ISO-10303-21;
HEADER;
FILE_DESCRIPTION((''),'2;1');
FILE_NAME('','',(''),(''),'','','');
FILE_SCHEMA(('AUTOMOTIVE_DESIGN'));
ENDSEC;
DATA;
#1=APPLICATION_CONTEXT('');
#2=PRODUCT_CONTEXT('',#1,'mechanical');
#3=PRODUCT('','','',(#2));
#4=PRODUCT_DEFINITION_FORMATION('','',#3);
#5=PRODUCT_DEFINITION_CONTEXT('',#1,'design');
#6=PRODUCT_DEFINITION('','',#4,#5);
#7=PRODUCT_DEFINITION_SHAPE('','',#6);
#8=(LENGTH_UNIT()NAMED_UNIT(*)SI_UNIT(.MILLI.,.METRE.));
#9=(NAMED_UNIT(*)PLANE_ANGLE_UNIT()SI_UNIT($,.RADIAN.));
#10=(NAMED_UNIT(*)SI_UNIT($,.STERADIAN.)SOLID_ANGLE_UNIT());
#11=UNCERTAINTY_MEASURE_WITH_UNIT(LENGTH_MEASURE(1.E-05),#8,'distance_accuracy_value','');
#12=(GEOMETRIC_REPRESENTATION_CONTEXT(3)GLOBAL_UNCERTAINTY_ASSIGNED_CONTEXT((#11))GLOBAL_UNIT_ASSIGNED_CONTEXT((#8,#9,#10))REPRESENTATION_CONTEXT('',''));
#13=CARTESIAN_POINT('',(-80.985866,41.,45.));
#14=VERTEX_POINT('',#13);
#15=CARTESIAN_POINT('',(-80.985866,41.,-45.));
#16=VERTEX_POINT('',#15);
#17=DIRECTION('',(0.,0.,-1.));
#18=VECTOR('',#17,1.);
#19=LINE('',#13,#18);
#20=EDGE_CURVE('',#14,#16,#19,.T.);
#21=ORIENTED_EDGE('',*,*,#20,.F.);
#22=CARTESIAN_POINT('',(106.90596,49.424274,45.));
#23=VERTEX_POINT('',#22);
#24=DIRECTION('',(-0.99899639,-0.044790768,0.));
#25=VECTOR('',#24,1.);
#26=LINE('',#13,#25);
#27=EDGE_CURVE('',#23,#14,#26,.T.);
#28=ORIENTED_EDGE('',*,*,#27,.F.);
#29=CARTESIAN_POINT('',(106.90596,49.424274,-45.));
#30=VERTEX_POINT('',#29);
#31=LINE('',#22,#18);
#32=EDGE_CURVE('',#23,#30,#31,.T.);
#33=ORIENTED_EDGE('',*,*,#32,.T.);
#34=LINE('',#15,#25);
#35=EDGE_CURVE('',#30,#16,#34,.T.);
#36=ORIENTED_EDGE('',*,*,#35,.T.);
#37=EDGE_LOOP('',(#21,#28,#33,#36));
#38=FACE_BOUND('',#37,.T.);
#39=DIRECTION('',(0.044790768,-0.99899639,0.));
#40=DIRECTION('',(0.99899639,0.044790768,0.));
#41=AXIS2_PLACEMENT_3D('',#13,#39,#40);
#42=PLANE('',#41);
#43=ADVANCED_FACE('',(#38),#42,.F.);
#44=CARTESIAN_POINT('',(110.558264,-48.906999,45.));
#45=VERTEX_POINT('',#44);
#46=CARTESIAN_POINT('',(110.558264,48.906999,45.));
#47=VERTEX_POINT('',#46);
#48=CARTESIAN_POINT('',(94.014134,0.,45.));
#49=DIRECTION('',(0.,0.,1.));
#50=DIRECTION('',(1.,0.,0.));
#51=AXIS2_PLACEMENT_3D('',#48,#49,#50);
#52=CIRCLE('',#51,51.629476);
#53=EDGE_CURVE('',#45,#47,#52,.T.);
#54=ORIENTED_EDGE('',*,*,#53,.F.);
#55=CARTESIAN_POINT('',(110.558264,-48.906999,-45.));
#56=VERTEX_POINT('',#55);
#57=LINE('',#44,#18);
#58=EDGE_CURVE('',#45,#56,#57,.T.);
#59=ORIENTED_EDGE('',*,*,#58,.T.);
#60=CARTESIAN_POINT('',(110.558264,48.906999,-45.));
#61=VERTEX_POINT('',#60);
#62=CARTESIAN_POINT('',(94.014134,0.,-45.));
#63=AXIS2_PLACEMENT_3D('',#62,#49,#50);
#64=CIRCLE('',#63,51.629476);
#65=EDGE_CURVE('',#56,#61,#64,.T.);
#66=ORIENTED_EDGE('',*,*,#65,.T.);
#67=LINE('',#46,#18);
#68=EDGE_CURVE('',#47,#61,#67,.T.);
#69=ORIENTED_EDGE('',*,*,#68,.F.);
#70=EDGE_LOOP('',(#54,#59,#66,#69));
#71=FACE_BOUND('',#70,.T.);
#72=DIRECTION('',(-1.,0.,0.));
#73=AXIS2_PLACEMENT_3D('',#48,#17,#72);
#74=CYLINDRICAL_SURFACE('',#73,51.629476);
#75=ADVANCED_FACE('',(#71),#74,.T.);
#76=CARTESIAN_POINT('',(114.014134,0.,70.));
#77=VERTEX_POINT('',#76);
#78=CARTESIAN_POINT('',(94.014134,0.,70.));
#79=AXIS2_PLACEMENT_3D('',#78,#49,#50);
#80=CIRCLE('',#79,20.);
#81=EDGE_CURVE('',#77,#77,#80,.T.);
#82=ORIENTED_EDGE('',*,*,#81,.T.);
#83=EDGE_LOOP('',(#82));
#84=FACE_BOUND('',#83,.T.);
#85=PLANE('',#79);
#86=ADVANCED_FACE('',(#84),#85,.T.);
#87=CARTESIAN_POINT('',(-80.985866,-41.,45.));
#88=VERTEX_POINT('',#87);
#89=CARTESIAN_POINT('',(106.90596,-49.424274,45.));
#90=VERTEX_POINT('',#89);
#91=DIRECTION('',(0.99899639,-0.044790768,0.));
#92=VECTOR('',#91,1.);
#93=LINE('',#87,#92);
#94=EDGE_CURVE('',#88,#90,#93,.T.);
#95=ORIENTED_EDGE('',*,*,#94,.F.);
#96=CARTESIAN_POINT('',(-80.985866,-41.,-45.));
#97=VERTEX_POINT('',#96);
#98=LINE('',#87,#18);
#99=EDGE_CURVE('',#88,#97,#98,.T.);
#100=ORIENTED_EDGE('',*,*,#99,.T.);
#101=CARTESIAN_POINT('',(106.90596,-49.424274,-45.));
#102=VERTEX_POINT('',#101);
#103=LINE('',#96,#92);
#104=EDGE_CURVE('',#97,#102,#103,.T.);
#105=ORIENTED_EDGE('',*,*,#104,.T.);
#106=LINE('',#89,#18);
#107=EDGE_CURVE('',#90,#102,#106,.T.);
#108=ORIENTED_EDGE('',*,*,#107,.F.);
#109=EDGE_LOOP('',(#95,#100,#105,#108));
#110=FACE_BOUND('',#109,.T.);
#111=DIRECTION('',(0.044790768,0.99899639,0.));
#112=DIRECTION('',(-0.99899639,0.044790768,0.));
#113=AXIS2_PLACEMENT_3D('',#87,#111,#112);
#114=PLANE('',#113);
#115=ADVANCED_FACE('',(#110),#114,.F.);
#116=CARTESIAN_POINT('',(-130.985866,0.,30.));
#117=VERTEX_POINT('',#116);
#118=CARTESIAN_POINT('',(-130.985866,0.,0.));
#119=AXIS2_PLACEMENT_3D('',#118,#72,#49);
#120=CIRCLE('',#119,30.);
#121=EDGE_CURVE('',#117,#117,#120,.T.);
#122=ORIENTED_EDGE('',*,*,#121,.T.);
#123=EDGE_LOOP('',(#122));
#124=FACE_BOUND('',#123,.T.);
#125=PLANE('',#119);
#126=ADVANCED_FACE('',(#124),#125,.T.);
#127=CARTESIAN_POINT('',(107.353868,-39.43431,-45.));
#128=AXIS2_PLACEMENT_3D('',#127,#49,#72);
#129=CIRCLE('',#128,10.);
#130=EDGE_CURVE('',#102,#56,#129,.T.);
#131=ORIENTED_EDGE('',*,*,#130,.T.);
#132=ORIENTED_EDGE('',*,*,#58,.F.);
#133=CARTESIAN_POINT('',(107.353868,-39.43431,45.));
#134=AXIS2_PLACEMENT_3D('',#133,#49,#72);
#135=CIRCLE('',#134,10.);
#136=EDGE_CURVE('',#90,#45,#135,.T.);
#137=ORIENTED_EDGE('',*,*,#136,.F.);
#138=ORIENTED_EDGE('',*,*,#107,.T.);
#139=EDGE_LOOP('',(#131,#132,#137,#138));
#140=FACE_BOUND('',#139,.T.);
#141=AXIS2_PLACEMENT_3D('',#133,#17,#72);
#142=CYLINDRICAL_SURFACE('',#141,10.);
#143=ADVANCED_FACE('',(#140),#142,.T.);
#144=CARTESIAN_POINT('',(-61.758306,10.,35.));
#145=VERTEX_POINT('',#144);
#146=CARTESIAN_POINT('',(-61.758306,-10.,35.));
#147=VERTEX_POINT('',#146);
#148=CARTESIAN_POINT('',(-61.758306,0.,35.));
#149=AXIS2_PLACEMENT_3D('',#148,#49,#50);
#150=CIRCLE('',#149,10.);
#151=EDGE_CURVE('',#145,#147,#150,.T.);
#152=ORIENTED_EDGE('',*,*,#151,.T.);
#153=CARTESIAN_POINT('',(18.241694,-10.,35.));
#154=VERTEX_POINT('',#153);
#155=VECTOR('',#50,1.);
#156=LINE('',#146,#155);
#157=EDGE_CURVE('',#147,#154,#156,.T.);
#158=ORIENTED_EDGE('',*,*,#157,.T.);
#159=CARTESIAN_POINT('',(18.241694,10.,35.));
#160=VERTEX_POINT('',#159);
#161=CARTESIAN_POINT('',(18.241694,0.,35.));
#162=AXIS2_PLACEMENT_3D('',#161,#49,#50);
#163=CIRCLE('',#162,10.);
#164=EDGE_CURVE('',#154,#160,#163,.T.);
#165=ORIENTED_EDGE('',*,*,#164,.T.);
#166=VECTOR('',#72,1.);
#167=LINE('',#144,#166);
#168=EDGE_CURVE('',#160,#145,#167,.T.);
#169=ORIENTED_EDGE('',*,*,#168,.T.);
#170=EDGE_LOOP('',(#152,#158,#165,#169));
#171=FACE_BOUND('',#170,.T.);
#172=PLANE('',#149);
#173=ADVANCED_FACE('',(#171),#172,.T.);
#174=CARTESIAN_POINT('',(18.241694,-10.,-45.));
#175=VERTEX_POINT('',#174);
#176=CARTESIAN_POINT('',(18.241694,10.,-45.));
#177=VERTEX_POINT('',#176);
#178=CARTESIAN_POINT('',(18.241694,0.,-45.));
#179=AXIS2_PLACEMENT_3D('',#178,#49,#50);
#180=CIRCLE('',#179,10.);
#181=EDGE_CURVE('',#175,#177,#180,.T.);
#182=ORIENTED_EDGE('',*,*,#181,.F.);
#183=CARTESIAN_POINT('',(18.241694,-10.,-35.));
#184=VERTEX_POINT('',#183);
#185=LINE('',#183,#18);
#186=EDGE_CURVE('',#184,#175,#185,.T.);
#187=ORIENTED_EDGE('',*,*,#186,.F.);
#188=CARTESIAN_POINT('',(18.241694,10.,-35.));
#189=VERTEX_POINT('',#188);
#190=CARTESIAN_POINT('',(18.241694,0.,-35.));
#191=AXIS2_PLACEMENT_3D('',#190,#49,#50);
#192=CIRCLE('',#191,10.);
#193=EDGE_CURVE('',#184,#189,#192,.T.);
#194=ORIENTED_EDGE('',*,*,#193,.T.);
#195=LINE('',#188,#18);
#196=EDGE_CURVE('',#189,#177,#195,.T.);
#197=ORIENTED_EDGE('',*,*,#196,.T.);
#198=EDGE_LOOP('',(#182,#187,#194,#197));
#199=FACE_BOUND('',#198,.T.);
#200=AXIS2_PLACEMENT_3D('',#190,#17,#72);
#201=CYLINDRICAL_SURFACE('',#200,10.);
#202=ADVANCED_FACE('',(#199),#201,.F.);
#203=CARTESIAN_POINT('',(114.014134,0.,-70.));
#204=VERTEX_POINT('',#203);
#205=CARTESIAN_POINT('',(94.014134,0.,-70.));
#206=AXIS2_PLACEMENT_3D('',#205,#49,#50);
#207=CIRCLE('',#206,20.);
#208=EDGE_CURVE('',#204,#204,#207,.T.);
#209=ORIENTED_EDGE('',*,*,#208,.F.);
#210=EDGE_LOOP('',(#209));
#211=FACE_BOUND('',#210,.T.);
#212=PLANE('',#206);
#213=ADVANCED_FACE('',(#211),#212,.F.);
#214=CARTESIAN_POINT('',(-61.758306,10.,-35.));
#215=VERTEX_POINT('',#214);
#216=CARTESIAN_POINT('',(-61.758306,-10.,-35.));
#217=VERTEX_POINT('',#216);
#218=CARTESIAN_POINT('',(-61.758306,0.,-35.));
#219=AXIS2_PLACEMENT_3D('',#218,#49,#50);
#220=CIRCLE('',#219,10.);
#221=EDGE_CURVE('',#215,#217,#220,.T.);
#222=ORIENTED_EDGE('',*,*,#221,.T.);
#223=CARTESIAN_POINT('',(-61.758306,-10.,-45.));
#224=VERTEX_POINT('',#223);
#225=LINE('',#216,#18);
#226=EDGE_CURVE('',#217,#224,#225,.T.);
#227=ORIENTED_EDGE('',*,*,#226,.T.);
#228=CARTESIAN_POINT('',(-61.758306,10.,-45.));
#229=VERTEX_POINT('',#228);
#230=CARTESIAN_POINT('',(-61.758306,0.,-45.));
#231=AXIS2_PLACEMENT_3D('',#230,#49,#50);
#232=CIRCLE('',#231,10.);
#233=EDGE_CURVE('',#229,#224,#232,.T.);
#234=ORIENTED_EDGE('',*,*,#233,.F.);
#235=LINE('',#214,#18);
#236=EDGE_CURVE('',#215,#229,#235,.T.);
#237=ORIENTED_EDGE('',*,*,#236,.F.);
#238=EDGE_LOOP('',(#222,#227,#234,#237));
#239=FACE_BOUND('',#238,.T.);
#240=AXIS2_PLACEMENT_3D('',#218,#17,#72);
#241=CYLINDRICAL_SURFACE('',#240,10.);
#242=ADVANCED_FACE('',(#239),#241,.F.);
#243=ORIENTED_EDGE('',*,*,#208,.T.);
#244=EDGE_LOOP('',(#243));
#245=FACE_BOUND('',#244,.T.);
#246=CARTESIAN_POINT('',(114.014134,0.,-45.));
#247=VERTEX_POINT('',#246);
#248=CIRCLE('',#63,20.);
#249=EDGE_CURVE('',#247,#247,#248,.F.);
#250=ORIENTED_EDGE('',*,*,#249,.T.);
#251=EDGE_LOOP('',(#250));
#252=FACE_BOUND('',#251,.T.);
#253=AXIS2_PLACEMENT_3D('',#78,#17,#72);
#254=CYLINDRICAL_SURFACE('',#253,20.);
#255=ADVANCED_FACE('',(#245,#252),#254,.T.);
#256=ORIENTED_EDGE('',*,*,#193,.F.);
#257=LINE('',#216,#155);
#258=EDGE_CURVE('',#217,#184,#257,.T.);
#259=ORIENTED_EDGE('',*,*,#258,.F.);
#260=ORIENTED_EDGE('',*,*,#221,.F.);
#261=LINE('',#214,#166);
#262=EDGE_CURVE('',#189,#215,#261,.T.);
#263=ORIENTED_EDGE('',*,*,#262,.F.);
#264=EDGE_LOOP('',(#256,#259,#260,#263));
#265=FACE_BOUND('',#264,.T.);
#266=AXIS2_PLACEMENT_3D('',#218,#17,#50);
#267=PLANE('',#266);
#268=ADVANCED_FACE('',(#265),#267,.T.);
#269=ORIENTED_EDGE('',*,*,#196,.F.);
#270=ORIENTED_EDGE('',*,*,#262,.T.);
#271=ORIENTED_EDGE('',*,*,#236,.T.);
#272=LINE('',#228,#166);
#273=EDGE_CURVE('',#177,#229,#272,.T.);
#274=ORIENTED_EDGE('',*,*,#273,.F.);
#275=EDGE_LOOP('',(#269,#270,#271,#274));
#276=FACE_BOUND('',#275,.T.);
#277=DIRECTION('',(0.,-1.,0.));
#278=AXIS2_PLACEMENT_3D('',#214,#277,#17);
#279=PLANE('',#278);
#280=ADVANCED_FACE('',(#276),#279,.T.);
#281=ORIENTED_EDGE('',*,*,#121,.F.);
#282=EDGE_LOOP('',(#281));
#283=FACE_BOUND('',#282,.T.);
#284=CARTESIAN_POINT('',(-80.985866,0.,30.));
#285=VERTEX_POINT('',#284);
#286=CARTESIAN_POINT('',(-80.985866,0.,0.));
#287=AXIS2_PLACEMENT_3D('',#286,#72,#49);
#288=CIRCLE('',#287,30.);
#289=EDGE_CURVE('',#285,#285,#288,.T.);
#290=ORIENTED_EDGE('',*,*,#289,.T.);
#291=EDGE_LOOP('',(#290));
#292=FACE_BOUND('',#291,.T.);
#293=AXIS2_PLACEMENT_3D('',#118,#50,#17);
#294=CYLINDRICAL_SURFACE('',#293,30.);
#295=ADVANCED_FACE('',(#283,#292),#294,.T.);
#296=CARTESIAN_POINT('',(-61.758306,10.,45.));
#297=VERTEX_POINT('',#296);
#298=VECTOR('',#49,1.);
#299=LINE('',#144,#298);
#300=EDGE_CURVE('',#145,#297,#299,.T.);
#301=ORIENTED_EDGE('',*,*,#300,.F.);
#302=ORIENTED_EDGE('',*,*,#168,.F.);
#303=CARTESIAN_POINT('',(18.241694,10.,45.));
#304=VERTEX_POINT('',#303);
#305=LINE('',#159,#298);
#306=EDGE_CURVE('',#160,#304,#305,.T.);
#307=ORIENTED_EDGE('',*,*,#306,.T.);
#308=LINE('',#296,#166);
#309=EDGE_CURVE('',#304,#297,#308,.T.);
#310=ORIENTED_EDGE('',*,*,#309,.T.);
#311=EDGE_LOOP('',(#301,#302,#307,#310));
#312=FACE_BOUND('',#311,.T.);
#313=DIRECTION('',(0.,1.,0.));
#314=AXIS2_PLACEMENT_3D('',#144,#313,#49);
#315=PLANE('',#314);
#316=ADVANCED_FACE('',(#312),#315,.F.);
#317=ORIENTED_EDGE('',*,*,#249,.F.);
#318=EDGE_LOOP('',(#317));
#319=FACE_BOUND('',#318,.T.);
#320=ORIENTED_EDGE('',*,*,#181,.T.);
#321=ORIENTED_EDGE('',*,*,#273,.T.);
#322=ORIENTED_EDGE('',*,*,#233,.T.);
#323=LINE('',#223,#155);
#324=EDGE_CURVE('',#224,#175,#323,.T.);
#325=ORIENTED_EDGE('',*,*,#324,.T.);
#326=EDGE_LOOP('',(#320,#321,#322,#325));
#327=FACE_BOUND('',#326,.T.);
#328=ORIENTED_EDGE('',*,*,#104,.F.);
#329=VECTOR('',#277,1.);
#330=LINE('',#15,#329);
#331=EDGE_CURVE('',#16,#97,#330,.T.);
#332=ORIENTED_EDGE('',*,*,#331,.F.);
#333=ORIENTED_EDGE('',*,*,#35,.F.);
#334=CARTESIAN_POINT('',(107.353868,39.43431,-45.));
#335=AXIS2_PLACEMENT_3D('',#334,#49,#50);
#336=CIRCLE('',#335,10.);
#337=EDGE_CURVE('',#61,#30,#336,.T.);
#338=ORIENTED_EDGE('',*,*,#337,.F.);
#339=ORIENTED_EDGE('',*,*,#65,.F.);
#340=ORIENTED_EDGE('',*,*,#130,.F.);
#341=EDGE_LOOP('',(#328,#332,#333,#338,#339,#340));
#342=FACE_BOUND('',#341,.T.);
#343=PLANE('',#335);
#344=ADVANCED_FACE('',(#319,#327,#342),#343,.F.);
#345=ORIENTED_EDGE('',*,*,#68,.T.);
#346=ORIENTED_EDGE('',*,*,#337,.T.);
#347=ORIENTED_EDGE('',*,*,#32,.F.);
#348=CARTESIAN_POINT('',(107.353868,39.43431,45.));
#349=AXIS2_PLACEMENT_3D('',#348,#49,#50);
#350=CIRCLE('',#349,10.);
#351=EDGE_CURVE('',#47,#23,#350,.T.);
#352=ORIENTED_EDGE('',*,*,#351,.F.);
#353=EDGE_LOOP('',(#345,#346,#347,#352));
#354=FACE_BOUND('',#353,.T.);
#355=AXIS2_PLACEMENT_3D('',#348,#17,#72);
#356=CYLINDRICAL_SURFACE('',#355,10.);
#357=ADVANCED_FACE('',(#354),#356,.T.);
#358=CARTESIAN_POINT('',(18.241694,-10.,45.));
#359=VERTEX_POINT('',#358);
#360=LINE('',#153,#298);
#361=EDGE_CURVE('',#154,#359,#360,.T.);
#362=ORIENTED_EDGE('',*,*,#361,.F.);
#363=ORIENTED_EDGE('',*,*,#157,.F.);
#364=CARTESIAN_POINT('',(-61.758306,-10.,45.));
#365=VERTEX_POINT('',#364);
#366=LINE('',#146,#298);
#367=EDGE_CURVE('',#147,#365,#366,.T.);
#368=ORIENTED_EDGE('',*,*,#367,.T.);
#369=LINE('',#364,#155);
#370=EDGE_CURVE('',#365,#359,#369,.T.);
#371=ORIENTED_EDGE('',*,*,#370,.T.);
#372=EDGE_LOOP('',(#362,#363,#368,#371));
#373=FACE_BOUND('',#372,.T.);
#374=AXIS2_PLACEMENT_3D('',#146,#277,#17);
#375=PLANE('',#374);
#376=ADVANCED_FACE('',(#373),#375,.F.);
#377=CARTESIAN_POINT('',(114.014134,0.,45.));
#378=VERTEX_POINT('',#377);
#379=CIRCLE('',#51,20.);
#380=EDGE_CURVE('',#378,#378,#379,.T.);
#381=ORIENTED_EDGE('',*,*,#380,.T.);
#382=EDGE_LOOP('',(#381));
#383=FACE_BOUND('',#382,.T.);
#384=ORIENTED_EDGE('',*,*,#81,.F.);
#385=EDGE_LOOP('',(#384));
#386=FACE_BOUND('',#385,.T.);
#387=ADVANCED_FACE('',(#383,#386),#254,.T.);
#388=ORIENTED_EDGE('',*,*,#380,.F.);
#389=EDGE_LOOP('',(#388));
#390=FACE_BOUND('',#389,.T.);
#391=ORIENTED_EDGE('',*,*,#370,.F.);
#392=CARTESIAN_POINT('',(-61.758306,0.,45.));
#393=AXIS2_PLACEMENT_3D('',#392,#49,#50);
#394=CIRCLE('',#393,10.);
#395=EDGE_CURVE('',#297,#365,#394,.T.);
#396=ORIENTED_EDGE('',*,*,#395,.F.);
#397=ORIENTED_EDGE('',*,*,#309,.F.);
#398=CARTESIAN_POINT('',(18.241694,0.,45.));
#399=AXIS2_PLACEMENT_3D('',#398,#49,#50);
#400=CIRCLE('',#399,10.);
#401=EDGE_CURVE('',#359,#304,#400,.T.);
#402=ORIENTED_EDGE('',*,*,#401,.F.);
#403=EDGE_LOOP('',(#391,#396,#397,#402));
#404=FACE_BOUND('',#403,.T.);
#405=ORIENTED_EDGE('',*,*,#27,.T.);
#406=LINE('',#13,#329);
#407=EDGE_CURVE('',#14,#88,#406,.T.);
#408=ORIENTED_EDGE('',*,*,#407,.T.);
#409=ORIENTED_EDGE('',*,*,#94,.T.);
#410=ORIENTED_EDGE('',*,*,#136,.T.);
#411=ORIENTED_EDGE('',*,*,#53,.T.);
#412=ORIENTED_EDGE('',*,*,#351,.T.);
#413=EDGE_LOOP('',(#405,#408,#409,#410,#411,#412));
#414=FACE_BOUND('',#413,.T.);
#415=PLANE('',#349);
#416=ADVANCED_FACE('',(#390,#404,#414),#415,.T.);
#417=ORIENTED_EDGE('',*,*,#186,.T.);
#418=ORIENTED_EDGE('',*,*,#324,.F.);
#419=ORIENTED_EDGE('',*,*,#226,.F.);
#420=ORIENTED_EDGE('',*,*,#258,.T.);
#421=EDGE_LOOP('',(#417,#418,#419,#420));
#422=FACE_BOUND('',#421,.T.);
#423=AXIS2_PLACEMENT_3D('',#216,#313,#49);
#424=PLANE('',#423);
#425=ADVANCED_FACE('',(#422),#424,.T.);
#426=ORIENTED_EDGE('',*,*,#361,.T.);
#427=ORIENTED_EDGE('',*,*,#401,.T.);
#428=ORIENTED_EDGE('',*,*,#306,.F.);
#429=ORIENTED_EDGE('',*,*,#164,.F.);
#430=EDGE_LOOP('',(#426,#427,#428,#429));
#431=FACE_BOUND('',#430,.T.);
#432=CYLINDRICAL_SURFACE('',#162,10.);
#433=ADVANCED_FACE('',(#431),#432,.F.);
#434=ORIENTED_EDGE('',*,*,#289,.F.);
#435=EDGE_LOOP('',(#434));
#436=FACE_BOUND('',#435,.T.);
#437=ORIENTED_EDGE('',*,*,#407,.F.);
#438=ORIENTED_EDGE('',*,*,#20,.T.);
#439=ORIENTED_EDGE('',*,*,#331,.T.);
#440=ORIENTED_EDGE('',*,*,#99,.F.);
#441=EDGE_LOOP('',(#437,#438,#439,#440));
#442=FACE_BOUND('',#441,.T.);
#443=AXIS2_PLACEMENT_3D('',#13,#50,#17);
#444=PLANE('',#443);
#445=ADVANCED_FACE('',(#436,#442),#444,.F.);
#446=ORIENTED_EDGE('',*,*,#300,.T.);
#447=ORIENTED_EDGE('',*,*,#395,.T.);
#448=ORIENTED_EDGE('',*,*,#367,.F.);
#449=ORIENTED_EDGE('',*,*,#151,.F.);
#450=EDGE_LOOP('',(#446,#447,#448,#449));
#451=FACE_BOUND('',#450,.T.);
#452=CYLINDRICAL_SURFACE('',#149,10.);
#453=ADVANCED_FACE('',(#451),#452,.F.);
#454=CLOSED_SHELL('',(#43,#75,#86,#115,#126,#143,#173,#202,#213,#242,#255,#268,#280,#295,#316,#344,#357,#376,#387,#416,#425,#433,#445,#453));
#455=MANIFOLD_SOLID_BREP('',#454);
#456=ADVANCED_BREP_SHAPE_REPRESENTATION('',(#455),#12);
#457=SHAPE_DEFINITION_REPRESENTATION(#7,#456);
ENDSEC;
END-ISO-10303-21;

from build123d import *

# Parameters (mm, degrees)
SKETCH2_R                = 20
BOSS_EXTRUDE1_DEPTH      = 45
SKETCH3_R                = 30
BOSS_EXTRUDE2_DEPTH      = 50
BOSS_EXTRUDE3_DEPTH      = 25
BOSS_EXTRUDE3_DEPTH_BACK = 115
SKETCH4_R                = 20
CUT_EXTRUDE1_DEPTH       = 10


with BuildPart() as part:
    # Sketch2 → Boss-Extrude1 (new, symmetric)
    with BuildSketch(Plane.XY):
        with BuildLine():
            Line((-80.985865724, 41), (-80.985865724, -41))
            Line((-80.985865724, -41), (106.905960483, -49.424273902))
            ThreePointArc((106.905960483, -49.424273902), (108.756170043, -49.335499296), (110.558264434, -48.906999406))
            ThreePointArc((110.558264434, -48.906999406), (145.643610678, 0), (110.558264434, 48.906999406))
            ThreePointArc((110.558264434, 48.906999406), (108.756170043, 49.335499296), (106.905960483, 49.424273902))
            Line((106.905960483, 49.424273902), (-80.985865724, 41))
        make_face()
        with Locations(Location((94.014134276, 0, 0), (0, 0, 180))):
            Circle(SKETCH2_R, mode=Mode.SUBTRACT)
    extrude(amount=BOSS_EXTRUDE1_DEPTH, both=True)

    # Sketch3 → Boss-Extrude2 (add)
    with BuildSketch(Plane.ZY.offset(80.985865724)):
        Circle(SKETCH3_R)
    extrude(amount=BOSS_EXTRUDE2_DEPTH)

    # Sketch4 → Boss-Extrude3 (add, two sides: drawn at the far end of the back side and taken through both)
    with BuildSketch(Plane.XY.offset(45).offset(-BOSS_EXTRUDE3_DEPTH_BACK)):
        with Locations((94.014134276, 0)):
            Circle(SKETCH4_R)
    extrude(amount=BOSS_EXTRUDE3_DEPTH + BOSS_EXTRUDE3_DEPTH_BACK)

    # Sketch5 → Cut-Extrude1 (cut)
    with BuildSketch(Plane.XY.offset(45)):
        with BuildLine():
            Line((-61.758305815, 10), (18.241694185, 10))
            ThreePointArc((18.241694185, 10), (28.241694185, 0), (18.241694185, -10))
            Line((18.241694185, -10), (-61.758305815, -10))
            ThreePointArc((-61.758305815, -10), (-71.758305815, 0), (-61.758305815, 10))
        make_face()
    cut_extrude1 = extrude(amount=-CUT_EXTRUDE1_DEPTH, mode=Mode.SUBTRACT)

    # Mirror1: Cut-Extrude1 across plane
    add(cut_extrude1.mirror(Plane.XY), mode=Mode.SUBTRACT)


solid = part.part
